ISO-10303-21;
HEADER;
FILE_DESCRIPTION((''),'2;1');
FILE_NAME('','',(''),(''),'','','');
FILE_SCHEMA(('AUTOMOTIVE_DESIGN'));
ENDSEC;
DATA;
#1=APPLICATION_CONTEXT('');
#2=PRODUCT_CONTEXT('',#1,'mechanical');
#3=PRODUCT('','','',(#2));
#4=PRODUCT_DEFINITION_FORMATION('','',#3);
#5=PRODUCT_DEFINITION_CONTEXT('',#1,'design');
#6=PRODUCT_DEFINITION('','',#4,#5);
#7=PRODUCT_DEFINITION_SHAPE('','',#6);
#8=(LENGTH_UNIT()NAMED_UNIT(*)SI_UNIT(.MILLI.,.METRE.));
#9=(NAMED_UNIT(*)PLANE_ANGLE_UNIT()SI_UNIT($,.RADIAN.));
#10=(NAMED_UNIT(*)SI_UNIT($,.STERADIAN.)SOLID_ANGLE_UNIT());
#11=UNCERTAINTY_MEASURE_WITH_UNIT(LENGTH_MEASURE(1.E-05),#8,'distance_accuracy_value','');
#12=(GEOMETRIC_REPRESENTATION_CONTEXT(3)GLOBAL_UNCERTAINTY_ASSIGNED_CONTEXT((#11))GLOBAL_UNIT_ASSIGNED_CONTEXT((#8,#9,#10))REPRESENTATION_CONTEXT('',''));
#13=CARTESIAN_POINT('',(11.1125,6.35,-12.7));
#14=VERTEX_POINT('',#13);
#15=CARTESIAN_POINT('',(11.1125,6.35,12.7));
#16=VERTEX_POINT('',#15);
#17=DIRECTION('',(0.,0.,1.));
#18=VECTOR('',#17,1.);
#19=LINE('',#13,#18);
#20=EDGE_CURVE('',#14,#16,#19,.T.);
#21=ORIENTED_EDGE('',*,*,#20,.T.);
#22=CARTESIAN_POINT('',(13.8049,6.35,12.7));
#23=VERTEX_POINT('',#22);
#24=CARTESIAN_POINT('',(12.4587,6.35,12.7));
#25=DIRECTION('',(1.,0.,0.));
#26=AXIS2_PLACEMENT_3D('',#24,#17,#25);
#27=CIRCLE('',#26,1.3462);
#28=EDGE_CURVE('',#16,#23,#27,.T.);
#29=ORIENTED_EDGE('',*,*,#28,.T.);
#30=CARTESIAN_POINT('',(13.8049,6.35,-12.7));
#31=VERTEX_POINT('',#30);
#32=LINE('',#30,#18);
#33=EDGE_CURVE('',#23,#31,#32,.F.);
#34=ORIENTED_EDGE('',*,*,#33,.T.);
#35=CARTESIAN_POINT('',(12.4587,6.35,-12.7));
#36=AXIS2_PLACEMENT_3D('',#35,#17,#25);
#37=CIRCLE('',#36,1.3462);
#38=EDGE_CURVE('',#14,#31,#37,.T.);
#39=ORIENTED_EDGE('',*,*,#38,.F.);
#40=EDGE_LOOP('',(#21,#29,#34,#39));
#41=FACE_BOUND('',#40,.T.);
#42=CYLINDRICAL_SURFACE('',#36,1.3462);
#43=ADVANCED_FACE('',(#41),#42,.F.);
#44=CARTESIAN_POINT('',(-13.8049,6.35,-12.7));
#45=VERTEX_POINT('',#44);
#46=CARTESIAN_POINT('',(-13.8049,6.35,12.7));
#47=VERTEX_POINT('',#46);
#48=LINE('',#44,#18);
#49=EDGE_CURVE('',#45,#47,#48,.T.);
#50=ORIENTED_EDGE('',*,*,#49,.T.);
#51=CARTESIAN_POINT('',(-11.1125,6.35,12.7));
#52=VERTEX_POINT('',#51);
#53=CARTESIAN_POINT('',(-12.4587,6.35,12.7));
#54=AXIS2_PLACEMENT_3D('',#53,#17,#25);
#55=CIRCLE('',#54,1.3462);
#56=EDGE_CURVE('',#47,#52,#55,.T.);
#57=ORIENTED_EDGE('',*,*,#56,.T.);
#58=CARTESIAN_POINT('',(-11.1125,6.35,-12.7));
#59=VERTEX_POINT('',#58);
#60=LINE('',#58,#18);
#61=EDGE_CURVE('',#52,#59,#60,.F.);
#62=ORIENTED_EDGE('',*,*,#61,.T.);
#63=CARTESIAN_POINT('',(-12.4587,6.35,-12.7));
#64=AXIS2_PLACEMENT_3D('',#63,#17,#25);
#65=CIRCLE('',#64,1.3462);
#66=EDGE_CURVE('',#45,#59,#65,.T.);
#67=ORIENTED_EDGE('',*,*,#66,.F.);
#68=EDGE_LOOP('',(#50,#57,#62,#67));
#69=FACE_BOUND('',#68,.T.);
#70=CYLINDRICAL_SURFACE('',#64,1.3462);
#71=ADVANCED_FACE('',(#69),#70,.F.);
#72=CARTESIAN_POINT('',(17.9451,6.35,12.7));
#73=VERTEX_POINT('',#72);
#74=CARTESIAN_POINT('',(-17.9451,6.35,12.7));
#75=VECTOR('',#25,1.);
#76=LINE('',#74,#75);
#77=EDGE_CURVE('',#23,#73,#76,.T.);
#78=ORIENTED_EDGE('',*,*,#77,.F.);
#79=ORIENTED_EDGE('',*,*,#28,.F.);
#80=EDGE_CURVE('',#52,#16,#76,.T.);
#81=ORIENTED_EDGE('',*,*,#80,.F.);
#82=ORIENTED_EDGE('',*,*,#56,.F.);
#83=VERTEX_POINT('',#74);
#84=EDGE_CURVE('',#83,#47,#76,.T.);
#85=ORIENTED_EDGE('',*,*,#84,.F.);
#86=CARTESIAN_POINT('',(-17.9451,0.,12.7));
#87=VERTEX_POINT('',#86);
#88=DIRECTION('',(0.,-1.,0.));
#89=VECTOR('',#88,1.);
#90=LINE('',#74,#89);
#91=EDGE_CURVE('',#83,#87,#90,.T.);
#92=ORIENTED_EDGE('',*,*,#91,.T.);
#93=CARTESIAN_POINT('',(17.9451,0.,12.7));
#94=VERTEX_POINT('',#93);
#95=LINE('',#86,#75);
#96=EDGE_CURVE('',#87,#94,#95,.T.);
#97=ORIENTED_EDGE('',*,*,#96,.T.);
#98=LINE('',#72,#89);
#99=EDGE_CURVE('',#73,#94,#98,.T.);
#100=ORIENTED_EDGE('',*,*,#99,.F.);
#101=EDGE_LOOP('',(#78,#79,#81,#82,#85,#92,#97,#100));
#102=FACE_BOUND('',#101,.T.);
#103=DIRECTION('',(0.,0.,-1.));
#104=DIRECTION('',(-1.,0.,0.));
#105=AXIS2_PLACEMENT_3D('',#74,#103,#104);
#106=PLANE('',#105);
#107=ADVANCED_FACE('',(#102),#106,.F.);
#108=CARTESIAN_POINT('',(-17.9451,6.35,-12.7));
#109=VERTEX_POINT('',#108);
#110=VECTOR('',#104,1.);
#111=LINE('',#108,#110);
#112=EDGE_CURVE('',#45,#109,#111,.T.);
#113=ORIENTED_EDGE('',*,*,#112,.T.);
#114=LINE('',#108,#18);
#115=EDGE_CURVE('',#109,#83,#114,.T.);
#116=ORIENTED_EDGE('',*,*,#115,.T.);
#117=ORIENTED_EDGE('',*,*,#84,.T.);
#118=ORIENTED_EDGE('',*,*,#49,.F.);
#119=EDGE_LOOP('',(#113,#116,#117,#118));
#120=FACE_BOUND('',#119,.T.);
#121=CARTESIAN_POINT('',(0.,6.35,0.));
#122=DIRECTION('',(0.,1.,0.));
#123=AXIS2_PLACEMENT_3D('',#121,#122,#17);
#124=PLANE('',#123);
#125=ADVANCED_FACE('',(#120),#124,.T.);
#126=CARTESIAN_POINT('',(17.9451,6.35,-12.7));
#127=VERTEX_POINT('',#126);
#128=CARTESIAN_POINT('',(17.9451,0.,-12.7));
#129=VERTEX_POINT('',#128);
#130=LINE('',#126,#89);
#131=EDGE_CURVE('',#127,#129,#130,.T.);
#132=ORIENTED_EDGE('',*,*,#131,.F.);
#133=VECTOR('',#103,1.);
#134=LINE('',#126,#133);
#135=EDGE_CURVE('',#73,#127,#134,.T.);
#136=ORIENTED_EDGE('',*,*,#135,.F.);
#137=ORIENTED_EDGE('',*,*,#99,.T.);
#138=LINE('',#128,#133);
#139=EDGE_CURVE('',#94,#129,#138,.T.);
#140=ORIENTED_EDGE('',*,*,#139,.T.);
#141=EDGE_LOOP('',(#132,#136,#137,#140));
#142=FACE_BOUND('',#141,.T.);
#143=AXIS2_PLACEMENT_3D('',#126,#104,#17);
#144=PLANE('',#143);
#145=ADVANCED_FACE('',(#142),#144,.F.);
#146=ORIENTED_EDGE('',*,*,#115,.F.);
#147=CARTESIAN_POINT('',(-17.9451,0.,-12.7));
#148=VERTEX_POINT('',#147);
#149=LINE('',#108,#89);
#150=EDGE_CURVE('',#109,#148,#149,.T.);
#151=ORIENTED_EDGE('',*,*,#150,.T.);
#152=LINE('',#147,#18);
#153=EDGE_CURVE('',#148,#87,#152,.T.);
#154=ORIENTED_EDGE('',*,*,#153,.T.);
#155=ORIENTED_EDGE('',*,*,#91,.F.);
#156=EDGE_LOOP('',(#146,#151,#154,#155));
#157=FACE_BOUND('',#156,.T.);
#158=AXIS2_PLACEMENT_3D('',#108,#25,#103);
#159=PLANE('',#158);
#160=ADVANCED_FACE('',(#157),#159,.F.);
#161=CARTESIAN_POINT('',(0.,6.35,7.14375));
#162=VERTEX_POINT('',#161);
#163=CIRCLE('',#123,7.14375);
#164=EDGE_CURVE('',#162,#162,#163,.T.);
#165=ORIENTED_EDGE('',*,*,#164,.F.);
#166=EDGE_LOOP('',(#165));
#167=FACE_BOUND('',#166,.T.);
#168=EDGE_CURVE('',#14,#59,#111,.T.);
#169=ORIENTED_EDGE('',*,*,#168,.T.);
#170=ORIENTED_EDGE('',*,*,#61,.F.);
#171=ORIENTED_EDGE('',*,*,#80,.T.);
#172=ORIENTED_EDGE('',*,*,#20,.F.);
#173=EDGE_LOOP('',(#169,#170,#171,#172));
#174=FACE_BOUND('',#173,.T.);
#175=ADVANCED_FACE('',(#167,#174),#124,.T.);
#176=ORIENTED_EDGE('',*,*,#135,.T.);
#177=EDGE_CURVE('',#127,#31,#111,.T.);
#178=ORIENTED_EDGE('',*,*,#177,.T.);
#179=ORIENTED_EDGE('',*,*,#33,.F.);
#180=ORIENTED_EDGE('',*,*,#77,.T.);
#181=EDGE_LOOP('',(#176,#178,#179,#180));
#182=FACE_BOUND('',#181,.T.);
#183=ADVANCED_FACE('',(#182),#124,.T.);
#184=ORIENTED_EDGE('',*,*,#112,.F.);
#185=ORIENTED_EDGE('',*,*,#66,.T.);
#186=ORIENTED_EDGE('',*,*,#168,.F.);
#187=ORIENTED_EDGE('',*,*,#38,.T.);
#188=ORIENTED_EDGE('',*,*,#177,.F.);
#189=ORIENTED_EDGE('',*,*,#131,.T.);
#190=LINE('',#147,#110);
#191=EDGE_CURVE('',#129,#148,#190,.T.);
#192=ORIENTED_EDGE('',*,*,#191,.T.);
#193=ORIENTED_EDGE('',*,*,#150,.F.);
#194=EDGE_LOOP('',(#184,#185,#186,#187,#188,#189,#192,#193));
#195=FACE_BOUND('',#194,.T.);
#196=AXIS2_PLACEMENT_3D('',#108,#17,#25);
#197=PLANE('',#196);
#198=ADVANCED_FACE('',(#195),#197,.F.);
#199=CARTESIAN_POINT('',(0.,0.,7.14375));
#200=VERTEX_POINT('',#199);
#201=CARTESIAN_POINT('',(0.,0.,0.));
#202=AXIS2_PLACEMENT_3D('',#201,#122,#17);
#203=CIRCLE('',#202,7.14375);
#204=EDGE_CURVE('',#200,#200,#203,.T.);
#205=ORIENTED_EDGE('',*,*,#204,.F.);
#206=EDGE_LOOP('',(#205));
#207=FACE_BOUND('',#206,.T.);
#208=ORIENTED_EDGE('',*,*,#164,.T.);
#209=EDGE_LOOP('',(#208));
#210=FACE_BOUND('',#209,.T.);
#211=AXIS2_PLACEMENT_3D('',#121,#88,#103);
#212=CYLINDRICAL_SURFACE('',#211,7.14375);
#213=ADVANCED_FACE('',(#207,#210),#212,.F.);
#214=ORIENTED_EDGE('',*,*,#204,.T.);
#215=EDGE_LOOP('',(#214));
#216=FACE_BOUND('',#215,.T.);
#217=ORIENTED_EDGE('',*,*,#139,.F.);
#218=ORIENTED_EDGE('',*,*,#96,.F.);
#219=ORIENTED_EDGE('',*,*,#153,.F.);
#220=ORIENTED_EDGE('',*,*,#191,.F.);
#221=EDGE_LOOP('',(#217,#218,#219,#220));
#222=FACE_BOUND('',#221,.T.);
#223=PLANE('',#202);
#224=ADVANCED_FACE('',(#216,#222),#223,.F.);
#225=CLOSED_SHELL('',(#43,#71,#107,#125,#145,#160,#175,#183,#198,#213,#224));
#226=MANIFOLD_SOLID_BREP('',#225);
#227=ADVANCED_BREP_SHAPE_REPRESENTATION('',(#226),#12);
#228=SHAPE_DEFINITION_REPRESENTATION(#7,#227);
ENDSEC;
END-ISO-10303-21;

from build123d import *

# Parameters (mm, degrees)
SKETCH1_W           = 35.8902
SKETCH1_H           = 25.4
SKETCH1_R           = 7.14375
BOSS_EXTRUDE1_DEPTH = 6.35
SKETCH2_R           = 1.3462
CUT_EXTRUDE1_DEPTH  = 32.741284064


with BuildPart() as part:
    # Sketch1 → Boss-Extrude1 (new body)
    with BuildSketch(Plane(origin=(0, 0, 0), x_dir=(1, 0, 0), z_dir=(0, 1, 0))):
        Rectangle(SKETCH1_W, SKETCH1_H)
        with Locations(Location((0, 0, 0), (0, 0, 270))):
            Circle(SKETCH1_R, mode=Mode.SUBTRACT)
    extrude(amount=BOSS_EXTRUDE1_DEPTH)

    # Sketch2 → Cut-Extrude1 (cut, through all)
    with BuildSketch(Plane.XY.offset(12.7)):
        with Locations((-12.4587, 6.35)):
            Circle(SKETCH2_R)
        with Locations((12.4587, 6.35)):
            Circle(SKETCH2_R)
    extrude(amount=-CUT_EXTRUDE1_DEPTH, mode=Mode.SUBTRACT)


solid = part.part
